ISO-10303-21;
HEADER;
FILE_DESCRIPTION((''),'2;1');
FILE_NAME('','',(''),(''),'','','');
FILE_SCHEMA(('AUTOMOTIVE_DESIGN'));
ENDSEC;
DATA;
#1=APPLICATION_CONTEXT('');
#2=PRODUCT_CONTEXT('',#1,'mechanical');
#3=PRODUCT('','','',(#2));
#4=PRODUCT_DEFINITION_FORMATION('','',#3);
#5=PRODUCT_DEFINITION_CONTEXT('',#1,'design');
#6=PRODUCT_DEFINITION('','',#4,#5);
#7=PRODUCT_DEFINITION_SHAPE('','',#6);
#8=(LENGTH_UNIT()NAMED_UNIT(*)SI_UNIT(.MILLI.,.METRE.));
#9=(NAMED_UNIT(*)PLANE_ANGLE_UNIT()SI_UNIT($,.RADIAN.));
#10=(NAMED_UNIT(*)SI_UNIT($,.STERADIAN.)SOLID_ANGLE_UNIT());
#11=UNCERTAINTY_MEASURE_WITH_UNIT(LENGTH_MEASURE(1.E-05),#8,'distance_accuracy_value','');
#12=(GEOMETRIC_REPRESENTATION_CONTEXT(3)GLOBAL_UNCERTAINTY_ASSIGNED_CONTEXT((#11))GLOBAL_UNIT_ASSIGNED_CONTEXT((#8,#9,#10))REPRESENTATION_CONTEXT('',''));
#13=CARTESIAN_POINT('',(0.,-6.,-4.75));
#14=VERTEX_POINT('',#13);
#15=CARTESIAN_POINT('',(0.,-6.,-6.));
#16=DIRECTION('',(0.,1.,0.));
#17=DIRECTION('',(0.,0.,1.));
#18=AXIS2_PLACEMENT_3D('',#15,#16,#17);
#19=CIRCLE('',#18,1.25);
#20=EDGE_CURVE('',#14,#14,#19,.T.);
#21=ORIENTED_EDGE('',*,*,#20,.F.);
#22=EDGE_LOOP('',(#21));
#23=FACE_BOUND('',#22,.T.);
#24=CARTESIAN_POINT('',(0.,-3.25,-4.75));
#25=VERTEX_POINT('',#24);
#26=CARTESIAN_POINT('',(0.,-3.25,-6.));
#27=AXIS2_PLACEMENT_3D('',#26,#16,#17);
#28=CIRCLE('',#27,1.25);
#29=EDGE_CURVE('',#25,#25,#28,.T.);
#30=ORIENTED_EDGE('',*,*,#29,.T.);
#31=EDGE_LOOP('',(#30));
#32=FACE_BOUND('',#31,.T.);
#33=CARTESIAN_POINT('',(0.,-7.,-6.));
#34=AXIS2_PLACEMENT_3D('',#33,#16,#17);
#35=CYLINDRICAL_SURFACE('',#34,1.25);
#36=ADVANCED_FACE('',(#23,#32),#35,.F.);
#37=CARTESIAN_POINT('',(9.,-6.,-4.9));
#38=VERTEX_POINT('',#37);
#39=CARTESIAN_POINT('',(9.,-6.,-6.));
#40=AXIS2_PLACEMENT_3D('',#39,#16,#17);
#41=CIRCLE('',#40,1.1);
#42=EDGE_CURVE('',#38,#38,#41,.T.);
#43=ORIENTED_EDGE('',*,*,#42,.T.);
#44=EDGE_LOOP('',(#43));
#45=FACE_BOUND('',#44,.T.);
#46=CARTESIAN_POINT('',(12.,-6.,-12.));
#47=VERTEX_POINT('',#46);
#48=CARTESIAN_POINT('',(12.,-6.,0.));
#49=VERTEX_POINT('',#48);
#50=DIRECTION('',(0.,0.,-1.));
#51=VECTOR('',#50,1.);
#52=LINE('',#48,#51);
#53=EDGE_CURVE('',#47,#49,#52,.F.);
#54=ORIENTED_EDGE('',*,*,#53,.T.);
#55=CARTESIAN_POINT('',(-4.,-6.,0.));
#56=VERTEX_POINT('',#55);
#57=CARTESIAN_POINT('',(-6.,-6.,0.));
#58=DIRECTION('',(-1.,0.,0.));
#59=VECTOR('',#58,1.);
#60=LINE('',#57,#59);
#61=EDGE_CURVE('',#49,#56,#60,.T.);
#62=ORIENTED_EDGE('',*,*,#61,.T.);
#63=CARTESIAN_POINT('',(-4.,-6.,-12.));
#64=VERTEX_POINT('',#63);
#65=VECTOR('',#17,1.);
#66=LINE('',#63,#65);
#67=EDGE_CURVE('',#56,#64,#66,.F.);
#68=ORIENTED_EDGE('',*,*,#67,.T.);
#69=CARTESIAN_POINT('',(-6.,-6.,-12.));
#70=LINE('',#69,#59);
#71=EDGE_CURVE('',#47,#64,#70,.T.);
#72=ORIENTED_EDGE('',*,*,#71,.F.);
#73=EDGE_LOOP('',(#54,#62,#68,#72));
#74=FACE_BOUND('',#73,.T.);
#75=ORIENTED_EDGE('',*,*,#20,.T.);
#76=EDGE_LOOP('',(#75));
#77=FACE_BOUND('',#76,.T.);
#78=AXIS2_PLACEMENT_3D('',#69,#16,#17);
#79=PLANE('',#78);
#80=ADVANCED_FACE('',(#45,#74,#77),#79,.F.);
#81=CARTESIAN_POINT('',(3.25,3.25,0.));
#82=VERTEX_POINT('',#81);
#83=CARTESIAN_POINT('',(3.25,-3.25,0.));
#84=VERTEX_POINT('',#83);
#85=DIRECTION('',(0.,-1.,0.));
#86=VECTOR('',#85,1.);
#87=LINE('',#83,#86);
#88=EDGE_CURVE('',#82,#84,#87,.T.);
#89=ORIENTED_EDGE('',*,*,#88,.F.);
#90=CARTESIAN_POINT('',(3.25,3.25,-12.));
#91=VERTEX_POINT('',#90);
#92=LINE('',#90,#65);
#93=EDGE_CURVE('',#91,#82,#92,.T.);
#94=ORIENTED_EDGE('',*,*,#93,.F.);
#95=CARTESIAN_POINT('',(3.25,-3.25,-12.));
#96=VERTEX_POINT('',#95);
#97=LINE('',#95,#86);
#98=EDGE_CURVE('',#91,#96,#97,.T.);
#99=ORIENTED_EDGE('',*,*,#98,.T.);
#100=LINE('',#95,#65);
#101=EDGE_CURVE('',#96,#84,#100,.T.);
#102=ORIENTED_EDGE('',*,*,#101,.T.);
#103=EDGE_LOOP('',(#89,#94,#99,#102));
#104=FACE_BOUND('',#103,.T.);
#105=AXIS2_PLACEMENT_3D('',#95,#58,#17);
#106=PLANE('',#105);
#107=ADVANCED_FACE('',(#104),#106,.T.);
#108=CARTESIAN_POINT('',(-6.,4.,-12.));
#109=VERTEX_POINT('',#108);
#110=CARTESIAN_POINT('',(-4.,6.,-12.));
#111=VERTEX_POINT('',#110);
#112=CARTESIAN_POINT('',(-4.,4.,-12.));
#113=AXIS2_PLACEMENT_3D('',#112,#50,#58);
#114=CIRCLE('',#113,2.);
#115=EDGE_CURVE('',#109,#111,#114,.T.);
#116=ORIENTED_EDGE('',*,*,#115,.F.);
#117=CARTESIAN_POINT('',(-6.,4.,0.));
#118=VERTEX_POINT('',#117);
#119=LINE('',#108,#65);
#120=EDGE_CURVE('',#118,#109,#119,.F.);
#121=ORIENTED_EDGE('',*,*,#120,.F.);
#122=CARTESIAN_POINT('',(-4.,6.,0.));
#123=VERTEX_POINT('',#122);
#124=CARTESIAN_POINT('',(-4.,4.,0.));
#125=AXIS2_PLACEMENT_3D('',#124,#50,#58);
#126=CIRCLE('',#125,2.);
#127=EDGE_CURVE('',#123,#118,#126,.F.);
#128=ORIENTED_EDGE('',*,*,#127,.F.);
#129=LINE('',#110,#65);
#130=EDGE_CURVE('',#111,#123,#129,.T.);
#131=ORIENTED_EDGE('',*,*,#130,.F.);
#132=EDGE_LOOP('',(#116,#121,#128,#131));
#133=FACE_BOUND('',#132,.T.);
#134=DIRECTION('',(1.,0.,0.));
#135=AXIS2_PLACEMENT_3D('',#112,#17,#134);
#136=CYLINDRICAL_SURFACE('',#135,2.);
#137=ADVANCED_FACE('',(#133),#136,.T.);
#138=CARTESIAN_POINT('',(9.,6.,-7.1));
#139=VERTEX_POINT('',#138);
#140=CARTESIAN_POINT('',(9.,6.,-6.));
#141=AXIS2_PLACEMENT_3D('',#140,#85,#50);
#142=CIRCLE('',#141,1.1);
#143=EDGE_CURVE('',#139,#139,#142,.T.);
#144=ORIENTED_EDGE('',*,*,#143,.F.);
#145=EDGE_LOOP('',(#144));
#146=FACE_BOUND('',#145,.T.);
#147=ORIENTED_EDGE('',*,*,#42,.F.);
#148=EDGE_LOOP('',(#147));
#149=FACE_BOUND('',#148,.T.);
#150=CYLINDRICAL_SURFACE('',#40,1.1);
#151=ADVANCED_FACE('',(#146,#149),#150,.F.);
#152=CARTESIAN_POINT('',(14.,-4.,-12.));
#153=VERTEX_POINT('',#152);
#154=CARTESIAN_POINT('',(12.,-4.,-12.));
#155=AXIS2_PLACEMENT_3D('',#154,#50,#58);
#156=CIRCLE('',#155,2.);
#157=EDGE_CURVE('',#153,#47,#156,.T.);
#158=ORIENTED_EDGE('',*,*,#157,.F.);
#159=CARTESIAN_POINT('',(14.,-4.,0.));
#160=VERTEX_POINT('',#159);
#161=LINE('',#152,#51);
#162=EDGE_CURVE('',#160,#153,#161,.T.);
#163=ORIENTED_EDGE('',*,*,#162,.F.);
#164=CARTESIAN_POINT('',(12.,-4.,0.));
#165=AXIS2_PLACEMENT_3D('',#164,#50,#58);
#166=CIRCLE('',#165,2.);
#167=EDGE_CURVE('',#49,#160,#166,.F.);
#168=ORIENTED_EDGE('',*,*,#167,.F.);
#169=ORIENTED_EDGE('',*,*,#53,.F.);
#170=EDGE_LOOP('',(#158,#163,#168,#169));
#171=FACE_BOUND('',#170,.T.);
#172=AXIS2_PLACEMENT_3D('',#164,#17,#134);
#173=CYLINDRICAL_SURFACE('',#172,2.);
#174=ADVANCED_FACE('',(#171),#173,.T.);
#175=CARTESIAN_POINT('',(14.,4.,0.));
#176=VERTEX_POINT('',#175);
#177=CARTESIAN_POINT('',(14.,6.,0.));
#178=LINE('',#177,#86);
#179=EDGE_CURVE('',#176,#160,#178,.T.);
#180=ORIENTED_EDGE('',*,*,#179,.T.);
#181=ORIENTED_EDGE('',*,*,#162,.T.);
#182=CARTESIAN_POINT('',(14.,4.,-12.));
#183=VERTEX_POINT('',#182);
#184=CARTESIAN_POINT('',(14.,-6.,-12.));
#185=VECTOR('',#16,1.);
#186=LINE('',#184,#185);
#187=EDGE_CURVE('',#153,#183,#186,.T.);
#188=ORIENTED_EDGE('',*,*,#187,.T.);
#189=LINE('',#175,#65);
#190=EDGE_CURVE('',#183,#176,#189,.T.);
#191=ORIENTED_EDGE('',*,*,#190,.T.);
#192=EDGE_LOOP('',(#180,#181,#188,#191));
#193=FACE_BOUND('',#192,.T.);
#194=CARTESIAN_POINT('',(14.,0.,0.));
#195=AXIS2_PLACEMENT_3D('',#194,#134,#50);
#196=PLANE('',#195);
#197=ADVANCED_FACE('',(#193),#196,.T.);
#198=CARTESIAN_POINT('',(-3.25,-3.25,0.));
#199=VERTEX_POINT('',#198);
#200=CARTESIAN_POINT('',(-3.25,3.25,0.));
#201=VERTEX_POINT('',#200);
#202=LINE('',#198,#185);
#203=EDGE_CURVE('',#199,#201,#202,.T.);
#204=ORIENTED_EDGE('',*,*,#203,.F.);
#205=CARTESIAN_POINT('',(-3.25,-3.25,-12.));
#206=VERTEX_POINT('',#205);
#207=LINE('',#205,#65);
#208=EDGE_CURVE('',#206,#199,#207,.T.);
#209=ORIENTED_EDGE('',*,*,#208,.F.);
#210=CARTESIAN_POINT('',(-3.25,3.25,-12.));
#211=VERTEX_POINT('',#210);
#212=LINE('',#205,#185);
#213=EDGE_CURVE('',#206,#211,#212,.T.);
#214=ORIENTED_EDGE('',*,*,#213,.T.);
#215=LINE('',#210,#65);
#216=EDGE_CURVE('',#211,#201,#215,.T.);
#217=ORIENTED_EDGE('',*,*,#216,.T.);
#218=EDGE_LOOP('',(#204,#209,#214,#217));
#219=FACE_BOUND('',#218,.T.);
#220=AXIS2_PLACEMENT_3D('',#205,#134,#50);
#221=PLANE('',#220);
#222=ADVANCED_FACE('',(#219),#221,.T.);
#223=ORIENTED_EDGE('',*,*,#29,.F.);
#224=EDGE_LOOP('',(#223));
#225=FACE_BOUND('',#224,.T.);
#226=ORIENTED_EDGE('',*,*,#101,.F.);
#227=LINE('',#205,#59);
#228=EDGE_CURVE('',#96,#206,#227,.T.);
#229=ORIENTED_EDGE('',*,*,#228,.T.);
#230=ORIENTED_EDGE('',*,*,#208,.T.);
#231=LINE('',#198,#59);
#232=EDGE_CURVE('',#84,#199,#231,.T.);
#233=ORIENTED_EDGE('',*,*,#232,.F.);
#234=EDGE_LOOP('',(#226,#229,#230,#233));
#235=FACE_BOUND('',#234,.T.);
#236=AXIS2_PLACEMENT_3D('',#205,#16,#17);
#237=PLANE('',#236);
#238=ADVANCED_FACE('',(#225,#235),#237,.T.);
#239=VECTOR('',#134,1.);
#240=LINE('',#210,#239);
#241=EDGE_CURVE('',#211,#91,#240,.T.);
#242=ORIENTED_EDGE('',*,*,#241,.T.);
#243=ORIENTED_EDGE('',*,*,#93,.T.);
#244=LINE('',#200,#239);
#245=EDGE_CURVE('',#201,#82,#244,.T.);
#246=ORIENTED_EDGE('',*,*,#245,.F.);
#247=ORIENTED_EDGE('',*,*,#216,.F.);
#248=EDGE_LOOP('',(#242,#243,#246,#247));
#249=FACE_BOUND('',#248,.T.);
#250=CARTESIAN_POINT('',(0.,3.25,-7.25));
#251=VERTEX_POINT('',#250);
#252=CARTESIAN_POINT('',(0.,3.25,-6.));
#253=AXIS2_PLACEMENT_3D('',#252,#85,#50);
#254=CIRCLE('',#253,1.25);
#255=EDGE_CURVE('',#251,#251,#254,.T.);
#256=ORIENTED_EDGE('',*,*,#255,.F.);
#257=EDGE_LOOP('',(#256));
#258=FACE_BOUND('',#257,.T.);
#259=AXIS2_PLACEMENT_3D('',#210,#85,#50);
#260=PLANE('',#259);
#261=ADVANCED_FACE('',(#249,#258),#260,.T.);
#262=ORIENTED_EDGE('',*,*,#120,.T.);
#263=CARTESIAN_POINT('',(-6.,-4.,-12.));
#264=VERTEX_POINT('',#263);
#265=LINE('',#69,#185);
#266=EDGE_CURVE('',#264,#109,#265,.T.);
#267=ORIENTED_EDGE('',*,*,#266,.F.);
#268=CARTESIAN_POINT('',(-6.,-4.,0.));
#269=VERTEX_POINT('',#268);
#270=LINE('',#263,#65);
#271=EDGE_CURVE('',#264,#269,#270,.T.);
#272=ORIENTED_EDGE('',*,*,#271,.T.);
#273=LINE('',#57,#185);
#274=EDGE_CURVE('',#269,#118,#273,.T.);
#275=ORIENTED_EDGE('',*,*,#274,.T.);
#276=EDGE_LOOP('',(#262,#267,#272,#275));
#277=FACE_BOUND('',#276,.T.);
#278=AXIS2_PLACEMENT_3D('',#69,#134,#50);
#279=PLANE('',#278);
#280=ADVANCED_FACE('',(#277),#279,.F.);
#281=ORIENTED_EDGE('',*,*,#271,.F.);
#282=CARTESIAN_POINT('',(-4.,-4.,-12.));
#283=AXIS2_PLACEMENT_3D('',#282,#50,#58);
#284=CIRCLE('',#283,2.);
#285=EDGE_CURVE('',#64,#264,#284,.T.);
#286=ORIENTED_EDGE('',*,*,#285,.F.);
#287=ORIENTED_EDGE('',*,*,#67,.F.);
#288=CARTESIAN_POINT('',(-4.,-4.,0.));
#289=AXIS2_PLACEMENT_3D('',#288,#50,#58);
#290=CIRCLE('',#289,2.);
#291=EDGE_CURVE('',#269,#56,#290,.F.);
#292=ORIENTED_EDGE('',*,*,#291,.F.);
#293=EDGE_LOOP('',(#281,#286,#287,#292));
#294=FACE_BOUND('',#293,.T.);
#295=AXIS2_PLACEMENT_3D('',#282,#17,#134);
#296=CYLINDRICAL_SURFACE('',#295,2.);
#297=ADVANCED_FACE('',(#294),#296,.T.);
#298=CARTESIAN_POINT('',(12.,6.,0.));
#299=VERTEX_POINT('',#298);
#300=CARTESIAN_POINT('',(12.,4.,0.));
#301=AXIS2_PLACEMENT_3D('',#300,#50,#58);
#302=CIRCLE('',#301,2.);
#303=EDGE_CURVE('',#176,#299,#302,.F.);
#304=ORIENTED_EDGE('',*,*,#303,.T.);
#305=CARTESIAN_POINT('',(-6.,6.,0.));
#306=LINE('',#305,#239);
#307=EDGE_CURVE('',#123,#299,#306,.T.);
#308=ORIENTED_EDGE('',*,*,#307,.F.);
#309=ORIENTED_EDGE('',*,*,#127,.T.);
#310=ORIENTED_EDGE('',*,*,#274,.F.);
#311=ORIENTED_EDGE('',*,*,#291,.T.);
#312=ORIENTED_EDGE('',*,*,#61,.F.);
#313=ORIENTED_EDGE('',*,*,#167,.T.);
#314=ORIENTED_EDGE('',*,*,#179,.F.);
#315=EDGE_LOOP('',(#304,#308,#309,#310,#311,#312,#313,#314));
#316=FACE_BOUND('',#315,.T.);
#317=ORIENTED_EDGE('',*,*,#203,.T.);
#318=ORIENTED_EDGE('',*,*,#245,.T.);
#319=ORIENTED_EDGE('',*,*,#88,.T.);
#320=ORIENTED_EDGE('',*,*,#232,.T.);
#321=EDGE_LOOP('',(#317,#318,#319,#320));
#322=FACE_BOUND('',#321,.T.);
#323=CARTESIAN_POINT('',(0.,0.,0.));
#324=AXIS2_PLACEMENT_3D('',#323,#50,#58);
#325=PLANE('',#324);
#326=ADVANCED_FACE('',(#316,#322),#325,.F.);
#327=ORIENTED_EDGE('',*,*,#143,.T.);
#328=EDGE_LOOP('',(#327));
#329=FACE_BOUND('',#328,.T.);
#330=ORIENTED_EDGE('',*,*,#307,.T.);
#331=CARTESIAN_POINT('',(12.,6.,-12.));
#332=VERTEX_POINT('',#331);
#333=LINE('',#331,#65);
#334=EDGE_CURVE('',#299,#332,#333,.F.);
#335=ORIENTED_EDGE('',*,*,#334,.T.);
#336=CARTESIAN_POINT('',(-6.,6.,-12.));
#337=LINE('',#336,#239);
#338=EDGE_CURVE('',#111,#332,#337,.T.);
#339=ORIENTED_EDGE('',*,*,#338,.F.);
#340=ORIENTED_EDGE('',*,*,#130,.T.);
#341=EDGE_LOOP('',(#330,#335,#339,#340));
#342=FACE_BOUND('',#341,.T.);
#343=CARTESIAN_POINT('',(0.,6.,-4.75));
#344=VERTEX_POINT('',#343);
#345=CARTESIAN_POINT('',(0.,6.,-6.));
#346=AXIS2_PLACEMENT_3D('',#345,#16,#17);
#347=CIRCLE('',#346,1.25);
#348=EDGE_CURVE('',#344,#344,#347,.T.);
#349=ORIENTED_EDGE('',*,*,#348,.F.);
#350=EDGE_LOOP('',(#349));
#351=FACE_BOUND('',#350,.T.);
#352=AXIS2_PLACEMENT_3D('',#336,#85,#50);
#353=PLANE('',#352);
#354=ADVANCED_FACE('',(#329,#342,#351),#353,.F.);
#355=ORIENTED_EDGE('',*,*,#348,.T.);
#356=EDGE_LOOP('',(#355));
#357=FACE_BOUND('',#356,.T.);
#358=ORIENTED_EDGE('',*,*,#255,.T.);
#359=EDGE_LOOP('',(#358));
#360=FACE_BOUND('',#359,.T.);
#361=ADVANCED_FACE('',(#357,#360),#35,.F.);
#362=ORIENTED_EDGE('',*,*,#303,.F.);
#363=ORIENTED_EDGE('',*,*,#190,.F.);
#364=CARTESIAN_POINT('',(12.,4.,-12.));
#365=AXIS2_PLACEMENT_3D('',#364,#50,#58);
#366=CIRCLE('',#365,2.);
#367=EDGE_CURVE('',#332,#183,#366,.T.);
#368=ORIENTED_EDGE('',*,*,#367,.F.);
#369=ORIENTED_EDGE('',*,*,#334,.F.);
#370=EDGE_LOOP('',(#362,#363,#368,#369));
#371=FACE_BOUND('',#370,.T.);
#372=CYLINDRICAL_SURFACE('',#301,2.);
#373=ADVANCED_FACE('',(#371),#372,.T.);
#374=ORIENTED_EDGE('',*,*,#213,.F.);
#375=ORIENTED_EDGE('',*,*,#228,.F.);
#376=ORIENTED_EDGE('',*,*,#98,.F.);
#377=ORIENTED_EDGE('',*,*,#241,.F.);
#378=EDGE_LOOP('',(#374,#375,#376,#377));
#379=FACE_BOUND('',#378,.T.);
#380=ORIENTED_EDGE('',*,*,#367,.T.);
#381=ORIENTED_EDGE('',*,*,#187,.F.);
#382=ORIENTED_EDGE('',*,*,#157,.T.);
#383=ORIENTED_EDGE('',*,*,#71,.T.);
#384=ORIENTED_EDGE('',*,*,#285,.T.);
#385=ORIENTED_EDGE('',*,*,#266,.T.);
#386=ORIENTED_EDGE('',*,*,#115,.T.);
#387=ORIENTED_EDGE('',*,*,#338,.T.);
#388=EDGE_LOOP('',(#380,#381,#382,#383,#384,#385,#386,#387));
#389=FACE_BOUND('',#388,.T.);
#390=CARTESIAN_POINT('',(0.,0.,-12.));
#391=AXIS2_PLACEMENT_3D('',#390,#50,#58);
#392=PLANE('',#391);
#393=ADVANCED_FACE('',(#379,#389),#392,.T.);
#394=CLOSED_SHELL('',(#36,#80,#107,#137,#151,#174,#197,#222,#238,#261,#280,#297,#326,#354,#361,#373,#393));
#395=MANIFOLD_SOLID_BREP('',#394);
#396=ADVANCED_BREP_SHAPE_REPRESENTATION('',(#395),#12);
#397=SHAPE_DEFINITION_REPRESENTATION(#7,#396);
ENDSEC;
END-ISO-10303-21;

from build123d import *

# Parameters (mm, degrees)
SKETCH1_R               = 4.5
SKETCH1_R_2             = 1.25
BOSS_EXTRUDE1_DEPTH     = 8
SKETCH2_R               = 1.75
SKETCH2_R_2             = 1.25
CUT_EXTRUDE1_DEPTH      = 4
SKETCH4_W               = 12
SKETCH4_H               = 12
SKETCH4_W_2             = 6.5
SKETCH4_H_2             = 6.5
BOSS_EXTRUDE2_DEPTH     = 12
SKETCH5_W               = 12
SKETCH5_H               = 12
BOSS_EXTRUDE3_DEPTH     = 8
CUT_EXTRUDE2_DEPTH      = 23
CUT_EXTRUDE2_DEPTH_BACK = 23
SKETCH6_R               = 1.1
FILLET1_R               = 2
SKETCH1_2_R             = 4.5
SKETCH1_2_R_2           = 1.25
CUT_EXTRUDE5_DEPTH      = 8
CUT_EXTRUDE6_DEPTH      = 13


with BuildPart() as part:
    # Sketch1 → Boss-Extrude1 (new body)
    with BuildSketch(Plane.XY):
        Circle(SKETCH1_R)
        Circle(SKETCH1_R_2, mode=Mode.SUBTRACT)
    extrude(amount=BOSS_EXTRUDE1_DEPTH)

    # Sketch2 → Cut-Extrude1 (cut)
    with BuildSketch(Plane(origin=(0, 0, 0), x_dir=(-1, 0, 0), z_dir=(0, 0, -1))):
        Circle(SKETCH2_R)
        Circle(SKETCH2_R_2, mode=Mode.SUBTRACT)
    extrude(amount=-CUT_EXTRUDE1_DEPTH, mode=Mode.SUBTRACT)

    # Sketch4 → Boss-Extrude2 (add)
    with BuildSketch(Plane(origin=(0, 0, 0), x_dir=(-1, 0, 0), z_dir=(0, 0, -1))):
        Rectangle(SKETCH4_W, SKETCH4_H)
        Rectangle(SKETCH4_W_2, SKETCH4_H_2, mode=Mode.SUBTRACT)
    extrude(amount=BOSS_EXTRUDE2_DEPTH)

    # Sketch5 → Boss-Extrude3 (add)
    with BuildSketch(Plane(origin=(6, 0, 0), x_dir=(0, 0, -1), z_dir=(1, 0, 0))):
        with Locations((6, 0)):
            Rectangle(SKETCH5_W, SKETCH5_H)
    extrude(amount=BOSS_EXTRUDE3_DEPTH)

    # Sketch6 → Cut-Extrude2 (cut, two sides: drawn at the far end of the back side and taken through both)
    with BuildSketch(Plane(origin=(0, 6, 0), x_dir=(1, 0, 0), z_dir=(0, 1, 0)).offset(-CUT_EXTRUDE2_DEPTH_BACK)):
        with Locations(Location((9, 6, 0), (0, 0, 270))):
            Circle(SKETCH6_R)
    extrude(amount=CUT_EXTRUDE2_DEPTH + CUT_EXTRUDE2_DEPTH_BACK, mode=Mode.SUBTRACT)

    # Fillet1
    fillet1_edges = [part.edges().sort_by_distance(p)[0] for p in [
        (-6, -6, -6),
        (-6, 6, -6),
        (14, 6, -6),
        (14, -6, -6),
    ]]
    fillet(fillet1_edges, radius=FILLET1_R)

    # Sketch1<2> → Cut-Extrude5 (cut)
    with BuildSketch(Plane.XY):
        Circle(SKETCH1_2_R)
        Circle(SKETCH1_2_R_2, mode=Mode.SUBTRACT)
    extrude(amount=CUT_EXTRUDE5_DEPTH, mode=Mode.SUBTRACT)

    # Sketch7 → Cut-Extrude6 (cut)
    with BuildSketch(Plane(origin=(0, 6, 0), x_dir=(1, 0, 0), z_dir=(0, 1, 0))):
        with BuildLine():
            ThreePointArc((-1.25, 6), (0, 4.75), (1.25, 6))
            Line((1.25, 6), (-1.25, 6))
        make_face()
        with BuildLine():
            Line((-1.25, 6), (1.25, 6))
            ThreePointArc((1.25, 6), (0, 7.25), (-1.25, 6))
        make_face()
    extrude(amount=-CUT_EXTRUDE6_DEPTH, mode=Mode.SUBTRACT)


solid = part.part
